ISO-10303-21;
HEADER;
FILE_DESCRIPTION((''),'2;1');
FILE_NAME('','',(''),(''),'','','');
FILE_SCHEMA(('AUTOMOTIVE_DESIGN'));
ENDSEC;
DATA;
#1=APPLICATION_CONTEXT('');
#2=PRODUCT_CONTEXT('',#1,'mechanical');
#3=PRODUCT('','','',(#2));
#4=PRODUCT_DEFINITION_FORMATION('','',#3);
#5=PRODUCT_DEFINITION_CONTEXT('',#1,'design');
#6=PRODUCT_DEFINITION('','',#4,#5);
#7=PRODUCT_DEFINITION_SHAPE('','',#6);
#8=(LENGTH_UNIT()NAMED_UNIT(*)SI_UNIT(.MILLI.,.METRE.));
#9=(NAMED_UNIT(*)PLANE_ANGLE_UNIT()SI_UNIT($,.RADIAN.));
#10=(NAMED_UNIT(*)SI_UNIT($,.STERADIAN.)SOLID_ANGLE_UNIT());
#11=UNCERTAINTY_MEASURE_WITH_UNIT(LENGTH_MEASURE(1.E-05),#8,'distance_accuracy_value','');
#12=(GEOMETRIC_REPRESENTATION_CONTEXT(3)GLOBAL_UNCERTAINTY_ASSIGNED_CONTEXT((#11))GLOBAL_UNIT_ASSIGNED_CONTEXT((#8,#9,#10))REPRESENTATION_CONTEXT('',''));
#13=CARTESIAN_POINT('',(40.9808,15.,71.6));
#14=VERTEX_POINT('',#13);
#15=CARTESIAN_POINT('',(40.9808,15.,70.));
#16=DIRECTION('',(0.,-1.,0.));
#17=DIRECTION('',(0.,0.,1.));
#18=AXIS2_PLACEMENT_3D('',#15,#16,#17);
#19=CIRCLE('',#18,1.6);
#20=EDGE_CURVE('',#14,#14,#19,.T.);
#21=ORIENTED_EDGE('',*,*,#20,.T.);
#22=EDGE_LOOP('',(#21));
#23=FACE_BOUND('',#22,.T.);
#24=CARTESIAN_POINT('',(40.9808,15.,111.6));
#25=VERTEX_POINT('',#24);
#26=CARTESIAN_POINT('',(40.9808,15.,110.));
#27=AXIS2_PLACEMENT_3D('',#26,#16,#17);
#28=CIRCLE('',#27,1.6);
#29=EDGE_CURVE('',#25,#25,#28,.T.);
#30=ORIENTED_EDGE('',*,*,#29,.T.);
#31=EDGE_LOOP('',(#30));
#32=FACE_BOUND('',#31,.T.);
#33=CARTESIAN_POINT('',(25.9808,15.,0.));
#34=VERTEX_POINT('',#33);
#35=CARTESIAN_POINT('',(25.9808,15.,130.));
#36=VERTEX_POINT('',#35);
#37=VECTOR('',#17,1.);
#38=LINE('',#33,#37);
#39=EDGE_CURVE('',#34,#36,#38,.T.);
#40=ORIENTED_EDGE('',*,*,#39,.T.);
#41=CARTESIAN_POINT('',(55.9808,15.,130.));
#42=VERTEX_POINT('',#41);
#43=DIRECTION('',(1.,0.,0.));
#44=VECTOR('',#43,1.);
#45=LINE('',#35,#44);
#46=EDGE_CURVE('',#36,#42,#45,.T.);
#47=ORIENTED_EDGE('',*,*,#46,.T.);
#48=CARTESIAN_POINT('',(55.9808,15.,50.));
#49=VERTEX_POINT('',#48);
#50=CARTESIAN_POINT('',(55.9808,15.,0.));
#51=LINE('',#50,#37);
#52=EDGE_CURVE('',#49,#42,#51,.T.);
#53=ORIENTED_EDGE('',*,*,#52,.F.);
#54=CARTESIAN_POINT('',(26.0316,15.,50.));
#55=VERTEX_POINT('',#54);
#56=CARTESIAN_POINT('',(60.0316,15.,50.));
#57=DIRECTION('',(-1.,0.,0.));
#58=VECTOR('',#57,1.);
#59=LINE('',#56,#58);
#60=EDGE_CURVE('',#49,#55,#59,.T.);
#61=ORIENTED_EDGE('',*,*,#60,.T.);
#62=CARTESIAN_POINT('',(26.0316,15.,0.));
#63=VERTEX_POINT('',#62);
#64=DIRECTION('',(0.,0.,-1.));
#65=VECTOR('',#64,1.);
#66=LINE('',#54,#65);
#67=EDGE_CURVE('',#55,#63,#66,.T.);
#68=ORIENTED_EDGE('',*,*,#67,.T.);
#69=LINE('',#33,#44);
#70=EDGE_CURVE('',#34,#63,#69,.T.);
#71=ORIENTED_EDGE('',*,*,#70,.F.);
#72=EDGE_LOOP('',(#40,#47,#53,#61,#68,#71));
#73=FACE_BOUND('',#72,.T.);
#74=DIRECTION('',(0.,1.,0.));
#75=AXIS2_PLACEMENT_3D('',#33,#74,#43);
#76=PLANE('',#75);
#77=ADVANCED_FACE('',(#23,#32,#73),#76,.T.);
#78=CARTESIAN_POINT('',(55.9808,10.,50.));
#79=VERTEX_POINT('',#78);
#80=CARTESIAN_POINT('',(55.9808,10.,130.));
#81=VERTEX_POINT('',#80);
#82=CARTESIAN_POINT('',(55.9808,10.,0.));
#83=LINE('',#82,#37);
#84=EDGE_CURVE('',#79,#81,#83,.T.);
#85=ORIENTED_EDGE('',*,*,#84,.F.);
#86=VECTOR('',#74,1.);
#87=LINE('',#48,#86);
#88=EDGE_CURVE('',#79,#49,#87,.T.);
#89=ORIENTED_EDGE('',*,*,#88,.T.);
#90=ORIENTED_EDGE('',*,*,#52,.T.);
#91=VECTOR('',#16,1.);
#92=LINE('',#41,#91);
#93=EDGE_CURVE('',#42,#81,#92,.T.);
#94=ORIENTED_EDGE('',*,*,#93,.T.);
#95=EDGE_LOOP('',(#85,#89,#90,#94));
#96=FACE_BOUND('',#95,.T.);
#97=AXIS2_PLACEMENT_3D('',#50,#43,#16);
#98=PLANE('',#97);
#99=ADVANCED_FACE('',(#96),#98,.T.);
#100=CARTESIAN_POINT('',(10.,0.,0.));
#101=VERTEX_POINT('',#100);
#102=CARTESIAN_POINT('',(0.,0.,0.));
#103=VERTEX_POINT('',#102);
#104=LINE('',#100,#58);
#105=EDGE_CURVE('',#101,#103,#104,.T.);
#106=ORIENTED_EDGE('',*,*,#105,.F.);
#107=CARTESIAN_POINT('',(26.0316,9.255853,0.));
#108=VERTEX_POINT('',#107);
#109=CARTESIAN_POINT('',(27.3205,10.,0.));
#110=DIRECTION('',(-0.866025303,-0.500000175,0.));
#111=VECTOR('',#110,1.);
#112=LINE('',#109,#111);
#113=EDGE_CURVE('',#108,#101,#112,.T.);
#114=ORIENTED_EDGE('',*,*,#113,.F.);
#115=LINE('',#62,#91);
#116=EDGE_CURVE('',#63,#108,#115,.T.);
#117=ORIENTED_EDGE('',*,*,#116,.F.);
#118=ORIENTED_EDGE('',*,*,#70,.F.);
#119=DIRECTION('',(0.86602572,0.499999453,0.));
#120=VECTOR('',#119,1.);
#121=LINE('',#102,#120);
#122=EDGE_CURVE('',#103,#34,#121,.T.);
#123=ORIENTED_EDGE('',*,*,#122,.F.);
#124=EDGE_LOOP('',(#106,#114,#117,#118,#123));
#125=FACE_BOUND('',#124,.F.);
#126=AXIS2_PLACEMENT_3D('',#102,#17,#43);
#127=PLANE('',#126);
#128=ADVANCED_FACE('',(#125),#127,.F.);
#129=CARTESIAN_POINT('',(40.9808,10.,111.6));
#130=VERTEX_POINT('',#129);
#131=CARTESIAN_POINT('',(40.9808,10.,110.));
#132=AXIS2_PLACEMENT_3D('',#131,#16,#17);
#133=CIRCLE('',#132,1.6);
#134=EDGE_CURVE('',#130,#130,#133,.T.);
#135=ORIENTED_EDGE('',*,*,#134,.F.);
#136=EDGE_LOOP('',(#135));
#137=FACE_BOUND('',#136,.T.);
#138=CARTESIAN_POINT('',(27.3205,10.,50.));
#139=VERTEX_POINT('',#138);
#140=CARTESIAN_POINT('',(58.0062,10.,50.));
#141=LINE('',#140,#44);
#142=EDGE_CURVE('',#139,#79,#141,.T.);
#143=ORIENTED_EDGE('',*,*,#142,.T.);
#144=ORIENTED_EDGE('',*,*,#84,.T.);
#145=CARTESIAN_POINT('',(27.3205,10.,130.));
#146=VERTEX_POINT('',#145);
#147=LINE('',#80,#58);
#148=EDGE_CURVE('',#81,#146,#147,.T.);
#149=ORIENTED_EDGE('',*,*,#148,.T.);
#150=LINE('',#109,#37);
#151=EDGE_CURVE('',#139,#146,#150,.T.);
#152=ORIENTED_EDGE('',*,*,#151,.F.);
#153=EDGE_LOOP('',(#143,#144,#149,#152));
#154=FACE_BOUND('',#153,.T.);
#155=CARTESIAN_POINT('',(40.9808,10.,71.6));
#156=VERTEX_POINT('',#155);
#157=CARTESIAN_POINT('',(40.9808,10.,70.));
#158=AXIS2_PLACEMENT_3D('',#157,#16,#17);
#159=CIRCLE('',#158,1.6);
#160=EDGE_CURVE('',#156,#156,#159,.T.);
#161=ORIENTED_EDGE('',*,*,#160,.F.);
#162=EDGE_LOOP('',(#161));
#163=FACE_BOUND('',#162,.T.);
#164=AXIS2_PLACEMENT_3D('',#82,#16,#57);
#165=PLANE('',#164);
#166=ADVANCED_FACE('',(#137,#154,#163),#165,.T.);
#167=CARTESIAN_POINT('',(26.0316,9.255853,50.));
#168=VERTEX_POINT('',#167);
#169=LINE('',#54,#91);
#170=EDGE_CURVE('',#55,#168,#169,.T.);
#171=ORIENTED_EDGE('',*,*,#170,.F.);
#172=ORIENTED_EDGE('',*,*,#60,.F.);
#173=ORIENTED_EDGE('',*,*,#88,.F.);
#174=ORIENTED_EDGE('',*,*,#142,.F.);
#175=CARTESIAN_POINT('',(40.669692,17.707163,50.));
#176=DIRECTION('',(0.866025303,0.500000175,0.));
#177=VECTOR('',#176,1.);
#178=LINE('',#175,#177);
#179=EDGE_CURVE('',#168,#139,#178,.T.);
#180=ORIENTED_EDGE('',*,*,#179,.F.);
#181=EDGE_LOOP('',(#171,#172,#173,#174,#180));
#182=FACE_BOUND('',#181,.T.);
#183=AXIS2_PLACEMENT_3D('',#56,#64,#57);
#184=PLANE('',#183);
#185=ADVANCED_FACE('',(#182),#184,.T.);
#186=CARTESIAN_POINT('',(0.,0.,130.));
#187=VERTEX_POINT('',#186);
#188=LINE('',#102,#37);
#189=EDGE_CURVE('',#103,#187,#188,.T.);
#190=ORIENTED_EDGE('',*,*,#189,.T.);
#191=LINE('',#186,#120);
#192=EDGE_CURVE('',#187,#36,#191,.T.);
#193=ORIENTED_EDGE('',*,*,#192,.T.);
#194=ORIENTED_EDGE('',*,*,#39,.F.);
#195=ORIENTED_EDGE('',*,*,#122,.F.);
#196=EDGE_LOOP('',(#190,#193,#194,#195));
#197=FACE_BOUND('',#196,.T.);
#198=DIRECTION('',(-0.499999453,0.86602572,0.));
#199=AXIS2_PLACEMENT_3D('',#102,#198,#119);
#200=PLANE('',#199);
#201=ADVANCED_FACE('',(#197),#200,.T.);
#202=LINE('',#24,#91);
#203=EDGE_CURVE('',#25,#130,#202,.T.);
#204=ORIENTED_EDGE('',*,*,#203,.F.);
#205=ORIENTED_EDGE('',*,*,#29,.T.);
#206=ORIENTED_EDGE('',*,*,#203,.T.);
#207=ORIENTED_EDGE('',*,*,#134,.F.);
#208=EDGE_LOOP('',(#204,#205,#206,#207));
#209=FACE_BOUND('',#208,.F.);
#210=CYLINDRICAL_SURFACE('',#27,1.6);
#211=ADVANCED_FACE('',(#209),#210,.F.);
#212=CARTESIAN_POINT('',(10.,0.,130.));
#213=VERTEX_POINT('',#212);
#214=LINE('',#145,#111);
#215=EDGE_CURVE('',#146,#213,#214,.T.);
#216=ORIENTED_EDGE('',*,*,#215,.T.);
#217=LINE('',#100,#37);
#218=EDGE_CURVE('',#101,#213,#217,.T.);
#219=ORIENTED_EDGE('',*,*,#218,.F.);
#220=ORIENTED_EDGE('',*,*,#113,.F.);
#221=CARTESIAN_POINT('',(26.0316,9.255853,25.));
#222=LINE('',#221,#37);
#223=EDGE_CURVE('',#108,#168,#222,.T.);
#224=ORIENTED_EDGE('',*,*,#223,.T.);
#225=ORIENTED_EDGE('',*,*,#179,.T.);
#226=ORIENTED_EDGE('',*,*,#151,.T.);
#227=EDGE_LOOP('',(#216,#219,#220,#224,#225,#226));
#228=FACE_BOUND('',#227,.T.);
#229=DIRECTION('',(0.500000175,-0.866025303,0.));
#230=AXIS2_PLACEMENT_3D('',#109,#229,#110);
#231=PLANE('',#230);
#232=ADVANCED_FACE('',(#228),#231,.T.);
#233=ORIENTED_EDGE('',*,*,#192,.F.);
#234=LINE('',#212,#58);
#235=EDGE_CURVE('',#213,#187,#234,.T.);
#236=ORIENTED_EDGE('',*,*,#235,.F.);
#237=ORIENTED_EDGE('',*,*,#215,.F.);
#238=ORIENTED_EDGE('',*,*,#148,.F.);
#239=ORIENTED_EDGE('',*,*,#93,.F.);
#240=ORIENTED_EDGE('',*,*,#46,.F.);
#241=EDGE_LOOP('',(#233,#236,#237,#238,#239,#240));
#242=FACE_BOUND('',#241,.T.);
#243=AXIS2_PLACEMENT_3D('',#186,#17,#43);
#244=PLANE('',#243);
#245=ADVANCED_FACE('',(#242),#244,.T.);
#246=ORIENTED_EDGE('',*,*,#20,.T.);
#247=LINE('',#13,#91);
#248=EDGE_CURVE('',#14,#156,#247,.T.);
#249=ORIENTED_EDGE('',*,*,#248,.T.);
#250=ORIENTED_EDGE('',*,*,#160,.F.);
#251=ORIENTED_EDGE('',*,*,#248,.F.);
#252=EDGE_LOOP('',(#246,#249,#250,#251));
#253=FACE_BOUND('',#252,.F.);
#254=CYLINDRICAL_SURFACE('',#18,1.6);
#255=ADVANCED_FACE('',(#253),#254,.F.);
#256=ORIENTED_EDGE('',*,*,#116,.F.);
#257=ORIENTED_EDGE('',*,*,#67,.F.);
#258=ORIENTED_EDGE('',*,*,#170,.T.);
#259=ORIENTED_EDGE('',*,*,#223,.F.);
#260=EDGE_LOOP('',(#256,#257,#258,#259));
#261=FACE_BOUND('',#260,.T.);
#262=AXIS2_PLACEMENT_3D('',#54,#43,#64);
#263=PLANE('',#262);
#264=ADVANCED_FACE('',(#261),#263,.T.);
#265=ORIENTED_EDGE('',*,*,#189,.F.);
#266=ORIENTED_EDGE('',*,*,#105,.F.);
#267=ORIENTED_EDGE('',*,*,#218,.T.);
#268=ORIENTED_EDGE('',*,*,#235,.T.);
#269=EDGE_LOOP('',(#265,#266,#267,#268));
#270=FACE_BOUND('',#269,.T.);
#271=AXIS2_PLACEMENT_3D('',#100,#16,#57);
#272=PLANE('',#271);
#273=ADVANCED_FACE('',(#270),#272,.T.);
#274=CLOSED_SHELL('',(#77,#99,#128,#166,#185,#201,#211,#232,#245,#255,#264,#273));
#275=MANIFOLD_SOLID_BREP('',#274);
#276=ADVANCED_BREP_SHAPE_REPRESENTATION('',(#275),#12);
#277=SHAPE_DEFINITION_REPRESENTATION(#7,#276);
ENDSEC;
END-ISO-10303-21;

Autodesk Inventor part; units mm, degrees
ref_plane "YZ Plane" through (0, 0, 0) normal (1, 0, 0) x (0, 1, 0)
ref_plane "XZ Plane" through (0, 0, 0) normal (0, 1, 0) x (-1, 0, 0)
ref_plane "XY Plane" through (0, 0, 0) normal (0, 0, 1) x (1, 0, 0)
sketch "スケッチ1" plane through (0, 0, 0) normal (0, 0, 1) x (1, 0, 0)
  line L0 (0, 0) -> (25.9808, 15)
  line L1 (25.9808, 15) -> (55.9808, 15)
  line L2 (55.9808, 15) -> (55.9808, 10)
  line L3 (55.9808, 10) -> (27.3205, 10)
  line L4 (27.3205, 10) -> (10, 0)
  line L5 (10, 0) -> (0, 0)
  dimension "d0" = 15
  dimension "d1" = 5
  dimension "d2" = 5
  dimension "d3" = 30
  dimension "d21" = 30
extrude "押し出し1" add sketch "スケッチ1" along normal blind 130
sketch "スケッチ2" plane through (25.9808, 15, 0) normal (0, 1, 0) x (1, 0, 0)
  line L0 (0.0508, 1.2153) -> (34.0508, 1.2153)
  line L1 (34.0508, 1.2153) -> (34.0508, -50)
  line L2 (34.0508, -50) -> (0.0508, -50)
  line L3 (0.0508, -50) -> (0.0508, 1.2153)
  line L4 (30, 0) -> (0, 0) projected
  line L5 (30, -130) -> (0, -130) projected
  point P0 (-25.9808, 0)
  point P1 (15, 0)
  point P2 (17.0508, -50)
  point P3 (15, -130)
  dimension "d8" = 80
  dimension "d22" = 34
extrude "押し出し2" cut sketch "スケッチ2" against normal blind 300
sketch "スケッチ3" plane through (25.9808, 15, 0) normal (0, 1, 0) x (1, 0, 0)
  line L0 (30, 0) -> (30, -130) projected
  line L1 (30, 0) -> (0, 0) projected
  line L2 (30, -130) -> (0, -130) projected
  point P0 (-25.9808, 0)
  point P1 (15, -70)
  point P2 (30, -80)
  point P3 (15, -110)
  point P4 (15, -130)
  dimension "d24" = 20
  dimension "d25" = 40
hole "穴1" at (40.9808, 15, 70) at (40.9808, 15, 110) direction (0, -1, 0) diameter 3.2 depth 10 tip angle 118
properties part number "バンパー2"
